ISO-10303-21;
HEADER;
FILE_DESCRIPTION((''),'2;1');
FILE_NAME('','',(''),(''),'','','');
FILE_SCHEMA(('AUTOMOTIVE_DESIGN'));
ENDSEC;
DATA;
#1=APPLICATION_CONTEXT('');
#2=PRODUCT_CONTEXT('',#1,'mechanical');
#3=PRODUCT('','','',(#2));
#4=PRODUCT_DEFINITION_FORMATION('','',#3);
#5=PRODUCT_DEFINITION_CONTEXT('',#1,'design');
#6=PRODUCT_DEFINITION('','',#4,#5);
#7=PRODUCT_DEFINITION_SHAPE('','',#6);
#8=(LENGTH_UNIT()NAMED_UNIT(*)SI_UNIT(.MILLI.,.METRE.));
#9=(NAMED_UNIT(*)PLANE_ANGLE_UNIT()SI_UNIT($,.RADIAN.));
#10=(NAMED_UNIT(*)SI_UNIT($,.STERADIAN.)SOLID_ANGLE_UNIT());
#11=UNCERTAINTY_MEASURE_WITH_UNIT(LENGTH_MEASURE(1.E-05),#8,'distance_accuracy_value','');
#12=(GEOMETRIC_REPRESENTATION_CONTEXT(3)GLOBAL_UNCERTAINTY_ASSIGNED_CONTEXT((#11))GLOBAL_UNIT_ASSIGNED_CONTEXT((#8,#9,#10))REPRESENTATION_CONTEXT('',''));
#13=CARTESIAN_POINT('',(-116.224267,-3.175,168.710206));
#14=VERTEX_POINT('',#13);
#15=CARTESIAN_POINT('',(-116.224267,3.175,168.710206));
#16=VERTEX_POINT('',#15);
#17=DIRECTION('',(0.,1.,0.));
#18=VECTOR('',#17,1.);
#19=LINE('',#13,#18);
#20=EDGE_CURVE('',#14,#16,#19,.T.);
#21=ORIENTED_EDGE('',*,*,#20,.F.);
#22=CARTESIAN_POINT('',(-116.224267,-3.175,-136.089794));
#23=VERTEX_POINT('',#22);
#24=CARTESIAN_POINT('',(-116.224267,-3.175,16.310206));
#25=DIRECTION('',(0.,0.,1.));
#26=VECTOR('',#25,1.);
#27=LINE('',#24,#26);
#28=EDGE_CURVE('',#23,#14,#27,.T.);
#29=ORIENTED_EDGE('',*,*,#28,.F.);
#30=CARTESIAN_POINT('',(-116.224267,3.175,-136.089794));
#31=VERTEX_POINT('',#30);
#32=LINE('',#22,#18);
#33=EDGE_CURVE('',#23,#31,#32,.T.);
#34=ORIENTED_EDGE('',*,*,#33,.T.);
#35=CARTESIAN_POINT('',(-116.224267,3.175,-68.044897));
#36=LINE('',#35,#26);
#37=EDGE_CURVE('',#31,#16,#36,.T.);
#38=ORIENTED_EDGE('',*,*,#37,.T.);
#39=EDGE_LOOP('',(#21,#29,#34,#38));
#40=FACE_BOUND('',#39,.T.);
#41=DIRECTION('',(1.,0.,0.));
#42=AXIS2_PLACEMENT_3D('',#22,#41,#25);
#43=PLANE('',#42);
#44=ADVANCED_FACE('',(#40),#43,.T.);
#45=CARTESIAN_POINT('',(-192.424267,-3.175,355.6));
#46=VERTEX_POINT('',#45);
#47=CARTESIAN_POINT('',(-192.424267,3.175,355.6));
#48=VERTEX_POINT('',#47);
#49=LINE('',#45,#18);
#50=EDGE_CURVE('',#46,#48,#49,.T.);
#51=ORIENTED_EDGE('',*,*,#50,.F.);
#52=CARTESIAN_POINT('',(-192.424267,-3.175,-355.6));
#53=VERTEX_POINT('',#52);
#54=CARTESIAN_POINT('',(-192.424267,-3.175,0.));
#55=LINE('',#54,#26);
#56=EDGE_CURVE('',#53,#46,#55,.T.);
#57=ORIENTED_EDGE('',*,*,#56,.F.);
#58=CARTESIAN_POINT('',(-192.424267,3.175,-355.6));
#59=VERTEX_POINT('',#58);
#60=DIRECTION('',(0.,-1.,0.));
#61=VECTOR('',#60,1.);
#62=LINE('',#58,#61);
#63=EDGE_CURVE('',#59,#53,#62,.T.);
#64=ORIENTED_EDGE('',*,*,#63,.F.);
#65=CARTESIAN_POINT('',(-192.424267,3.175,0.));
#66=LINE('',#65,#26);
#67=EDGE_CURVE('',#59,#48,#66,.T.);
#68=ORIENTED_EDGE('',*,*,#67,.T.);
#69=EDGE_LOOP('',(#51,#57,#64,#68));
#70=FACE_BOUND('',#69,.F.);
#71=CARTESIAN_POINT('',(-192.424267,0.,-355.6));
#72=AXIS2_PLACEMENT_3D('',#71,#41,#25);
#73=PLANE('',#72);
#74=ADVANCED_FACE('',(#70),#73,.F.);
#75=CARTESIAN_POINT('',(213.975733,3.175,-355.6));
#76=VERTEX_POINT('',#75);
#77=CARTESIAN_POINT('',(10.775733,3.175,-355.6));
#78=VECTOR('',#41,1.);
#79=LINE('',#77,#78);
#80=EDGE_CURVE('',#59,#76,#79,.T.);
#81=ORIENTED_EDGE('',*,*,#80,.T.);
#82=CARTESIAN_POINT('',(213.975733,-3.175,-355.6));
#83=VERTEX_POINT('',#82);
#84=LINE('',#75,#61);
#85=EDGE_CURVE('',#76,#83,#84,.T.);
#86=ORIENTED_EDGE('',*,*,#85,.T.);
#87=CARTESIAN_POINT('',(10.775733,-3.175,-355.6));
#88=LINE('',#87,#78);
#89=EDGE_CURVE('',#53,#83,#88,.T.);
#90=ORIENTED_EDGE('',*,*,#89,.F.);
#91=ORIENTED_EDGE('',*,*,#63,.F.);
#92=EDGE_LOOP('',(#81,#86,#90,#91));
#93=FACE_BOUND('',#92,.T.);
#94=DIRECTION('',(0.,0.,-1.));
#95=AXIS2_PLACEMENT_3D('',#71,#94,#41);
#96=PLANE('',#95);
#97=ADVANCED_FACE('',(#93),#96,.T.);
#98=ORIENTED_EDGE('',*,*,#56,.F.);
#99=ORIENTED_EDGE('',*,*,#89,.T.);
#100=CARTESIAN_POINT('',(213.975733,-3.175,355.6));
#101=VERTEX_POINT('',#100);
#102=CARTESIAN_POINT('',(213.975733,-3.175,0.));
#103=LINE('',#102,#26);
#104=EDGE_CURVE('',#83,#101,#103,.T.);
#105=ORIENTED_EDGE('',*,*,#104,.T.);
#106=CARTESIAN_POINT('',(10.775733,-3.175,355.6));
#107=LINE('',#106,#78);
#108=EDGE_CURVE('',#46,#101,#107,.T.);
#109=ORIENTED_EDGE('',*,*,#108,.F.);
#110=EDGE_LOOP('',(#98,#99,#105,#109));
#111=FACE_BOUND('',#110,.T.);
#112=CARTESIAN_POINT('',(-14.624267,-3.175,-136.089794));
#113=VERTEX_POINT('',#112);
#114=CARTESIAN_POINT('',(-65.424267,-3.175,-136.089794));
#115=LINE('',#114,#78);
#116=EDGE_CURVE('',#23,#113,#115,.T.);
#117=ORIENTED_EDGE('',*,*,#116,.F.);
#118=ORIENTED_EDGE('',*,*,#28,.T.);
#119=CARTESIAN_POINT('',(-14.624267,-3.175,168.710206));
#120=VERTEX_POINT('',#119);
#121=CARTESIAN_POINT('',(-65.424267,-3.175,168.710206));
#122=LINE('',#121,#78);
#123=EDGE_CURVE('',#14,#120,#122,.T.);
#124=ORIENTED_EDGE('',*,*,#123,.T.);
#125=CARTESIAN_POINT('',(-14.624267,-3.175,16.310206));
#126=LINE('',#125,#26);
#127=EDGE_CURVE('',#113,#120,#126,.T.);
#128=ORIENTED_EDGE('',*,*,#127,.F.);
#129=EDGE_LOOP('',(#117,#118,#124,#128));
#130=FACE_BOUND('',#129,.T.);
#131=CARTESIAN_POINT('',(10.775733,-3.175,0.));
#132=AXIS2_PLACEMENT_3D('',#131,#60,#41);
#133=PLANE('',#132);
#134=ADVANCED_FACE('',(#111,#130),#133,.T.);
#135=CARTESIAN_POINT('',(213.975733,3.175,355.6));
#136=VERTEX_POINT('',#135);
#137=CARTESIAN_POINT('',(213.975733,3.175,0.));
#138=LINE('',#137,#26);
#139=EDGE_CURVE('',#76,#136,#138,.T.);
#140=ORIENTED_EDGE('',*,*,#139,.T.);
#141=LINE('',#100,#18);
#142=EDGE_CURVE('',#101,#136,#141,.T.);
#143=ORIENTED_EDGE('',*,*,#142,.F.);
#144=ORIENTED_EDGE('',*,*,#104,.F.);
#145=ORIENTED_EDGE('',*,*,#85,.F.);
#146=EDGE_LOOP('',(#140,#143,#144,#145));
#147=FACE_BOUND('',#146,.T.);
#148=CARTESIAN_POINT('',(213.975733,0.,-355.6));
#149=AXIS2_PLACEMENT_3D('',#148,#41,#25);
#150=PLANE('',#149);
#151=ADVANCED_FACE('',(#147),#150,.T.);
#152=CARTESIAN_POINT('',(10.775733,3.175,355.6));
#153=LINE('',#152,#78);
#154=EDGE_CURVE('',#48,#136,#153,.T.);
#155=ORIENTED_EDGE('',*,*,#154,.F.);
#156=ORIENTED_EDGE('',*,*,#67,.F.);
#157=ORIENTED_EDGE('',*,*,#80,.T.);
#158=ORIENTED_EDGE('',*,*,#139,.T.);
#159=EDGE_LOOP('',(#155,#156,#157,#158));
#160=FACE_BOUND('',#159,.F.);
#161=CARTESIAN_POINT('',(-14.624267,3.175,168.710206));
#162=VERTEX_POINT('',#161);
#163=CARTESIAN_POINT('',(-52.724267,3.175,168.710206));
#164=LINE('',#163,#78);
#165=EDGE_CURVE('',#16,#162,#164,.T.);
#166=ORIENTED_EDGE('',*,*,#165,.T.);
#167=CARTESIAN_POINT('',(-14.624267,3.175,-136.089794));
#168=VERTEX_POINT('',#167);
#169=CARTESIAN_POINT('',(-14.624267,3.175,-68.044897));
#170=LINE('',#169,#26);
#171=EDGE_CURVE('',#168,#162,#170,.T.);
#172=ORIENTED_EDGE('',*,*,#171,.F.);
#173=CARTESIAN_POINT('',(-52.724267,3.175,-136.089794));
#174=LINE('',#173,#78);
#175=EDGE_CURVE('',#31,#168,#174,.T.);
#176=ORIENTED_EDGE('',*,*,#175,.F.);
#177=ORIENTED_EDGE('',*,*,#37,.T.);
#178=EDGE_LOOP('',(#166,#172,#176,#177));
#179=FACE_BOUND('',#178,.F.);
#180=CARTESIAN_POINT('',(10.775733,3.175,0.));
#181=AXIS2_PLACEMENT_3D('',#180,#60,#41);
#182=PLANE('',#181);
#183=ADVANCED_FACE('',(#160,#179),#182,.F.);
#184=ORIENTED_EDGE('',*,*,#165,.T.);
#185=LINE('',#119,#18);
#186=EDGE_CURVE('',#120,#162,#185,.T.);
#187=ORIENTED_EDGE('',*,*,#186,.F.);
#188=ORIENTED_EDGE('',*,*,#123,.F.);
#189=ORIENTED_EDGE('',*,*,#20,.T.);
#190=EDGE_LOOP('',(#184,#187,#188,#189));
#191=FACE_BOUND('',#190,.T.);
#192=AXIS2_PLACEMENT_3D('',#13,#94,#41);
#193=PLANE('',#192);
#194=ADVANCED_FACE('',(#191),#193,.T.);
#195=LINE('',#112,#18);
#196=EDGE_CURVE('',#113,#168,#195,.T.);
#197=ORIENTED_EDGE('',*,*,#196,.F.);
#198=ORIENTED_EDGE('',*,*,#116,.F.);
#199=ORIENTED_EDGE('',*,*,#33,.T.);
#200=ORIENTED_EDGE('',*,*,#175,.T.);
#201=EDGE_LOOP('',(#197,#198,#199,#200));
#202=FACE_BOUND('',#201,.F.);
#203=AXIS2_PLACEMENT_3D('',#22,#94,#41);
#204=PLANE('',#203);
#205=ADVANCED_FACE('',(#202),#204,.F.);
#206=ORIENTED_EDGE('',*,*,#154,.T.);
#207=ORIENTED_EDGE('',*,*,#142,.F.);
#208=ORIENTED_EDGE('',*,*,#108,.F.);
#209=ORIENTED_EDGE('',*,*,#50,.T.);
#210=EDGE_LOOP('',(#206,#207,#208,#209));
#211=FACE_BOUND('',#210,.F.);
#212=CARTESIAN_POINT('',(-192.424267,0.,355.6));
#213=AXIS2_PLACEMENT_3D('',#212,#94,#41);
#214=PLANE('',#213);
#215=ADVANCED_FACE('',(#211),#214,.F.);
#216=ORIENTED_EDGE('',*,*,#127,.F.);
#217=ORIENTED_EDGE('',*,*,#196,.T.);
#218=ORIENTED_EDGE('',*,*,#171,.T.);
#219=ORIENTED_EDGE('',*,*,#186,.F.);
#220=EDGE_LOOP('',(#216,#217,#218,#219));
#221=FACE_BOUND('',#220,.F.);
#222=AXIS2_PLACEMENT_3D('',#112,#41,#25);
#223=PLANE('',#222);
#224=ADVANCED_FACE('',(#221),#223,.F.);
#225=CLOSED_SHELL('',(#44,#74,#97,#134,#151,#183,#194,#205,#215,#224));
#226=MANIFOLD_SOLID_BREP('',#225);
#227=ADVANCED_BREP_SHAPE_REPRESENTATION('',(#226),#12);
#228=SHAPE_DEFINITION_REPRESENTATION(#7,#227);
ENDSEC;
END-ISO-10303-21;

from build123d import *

# Parameters (mm, degrees)
F0_W     = 406.4
F0_H     = 711.2
F1_DEPTH = 3.175
F2_W     = 101.6
F2_H     = 304.8
F3_DEPTH = 6.351


with BuildPart() as f1:
    # F0 (on Front) → F1 (new body, symmetric)
    with BuildSketch(Plane.XZ):
        with Locations((10.775733, 0)):
            Rectangle(F0_W, F0_H)
    extrude(amount=F1_DEPTH, both=True)

    # F2 (on face) → F3 (cut, through all)
    with BuildSketch(Plane.XZ.offset(3.175)):
        with Locations((-65.424267, 16.310206)):
            Rectangle(F2_W, F2_H)
    extrude(amount=-F3_DEPTH, mode=Mode.SUBTRACT)


solid = f1.part
